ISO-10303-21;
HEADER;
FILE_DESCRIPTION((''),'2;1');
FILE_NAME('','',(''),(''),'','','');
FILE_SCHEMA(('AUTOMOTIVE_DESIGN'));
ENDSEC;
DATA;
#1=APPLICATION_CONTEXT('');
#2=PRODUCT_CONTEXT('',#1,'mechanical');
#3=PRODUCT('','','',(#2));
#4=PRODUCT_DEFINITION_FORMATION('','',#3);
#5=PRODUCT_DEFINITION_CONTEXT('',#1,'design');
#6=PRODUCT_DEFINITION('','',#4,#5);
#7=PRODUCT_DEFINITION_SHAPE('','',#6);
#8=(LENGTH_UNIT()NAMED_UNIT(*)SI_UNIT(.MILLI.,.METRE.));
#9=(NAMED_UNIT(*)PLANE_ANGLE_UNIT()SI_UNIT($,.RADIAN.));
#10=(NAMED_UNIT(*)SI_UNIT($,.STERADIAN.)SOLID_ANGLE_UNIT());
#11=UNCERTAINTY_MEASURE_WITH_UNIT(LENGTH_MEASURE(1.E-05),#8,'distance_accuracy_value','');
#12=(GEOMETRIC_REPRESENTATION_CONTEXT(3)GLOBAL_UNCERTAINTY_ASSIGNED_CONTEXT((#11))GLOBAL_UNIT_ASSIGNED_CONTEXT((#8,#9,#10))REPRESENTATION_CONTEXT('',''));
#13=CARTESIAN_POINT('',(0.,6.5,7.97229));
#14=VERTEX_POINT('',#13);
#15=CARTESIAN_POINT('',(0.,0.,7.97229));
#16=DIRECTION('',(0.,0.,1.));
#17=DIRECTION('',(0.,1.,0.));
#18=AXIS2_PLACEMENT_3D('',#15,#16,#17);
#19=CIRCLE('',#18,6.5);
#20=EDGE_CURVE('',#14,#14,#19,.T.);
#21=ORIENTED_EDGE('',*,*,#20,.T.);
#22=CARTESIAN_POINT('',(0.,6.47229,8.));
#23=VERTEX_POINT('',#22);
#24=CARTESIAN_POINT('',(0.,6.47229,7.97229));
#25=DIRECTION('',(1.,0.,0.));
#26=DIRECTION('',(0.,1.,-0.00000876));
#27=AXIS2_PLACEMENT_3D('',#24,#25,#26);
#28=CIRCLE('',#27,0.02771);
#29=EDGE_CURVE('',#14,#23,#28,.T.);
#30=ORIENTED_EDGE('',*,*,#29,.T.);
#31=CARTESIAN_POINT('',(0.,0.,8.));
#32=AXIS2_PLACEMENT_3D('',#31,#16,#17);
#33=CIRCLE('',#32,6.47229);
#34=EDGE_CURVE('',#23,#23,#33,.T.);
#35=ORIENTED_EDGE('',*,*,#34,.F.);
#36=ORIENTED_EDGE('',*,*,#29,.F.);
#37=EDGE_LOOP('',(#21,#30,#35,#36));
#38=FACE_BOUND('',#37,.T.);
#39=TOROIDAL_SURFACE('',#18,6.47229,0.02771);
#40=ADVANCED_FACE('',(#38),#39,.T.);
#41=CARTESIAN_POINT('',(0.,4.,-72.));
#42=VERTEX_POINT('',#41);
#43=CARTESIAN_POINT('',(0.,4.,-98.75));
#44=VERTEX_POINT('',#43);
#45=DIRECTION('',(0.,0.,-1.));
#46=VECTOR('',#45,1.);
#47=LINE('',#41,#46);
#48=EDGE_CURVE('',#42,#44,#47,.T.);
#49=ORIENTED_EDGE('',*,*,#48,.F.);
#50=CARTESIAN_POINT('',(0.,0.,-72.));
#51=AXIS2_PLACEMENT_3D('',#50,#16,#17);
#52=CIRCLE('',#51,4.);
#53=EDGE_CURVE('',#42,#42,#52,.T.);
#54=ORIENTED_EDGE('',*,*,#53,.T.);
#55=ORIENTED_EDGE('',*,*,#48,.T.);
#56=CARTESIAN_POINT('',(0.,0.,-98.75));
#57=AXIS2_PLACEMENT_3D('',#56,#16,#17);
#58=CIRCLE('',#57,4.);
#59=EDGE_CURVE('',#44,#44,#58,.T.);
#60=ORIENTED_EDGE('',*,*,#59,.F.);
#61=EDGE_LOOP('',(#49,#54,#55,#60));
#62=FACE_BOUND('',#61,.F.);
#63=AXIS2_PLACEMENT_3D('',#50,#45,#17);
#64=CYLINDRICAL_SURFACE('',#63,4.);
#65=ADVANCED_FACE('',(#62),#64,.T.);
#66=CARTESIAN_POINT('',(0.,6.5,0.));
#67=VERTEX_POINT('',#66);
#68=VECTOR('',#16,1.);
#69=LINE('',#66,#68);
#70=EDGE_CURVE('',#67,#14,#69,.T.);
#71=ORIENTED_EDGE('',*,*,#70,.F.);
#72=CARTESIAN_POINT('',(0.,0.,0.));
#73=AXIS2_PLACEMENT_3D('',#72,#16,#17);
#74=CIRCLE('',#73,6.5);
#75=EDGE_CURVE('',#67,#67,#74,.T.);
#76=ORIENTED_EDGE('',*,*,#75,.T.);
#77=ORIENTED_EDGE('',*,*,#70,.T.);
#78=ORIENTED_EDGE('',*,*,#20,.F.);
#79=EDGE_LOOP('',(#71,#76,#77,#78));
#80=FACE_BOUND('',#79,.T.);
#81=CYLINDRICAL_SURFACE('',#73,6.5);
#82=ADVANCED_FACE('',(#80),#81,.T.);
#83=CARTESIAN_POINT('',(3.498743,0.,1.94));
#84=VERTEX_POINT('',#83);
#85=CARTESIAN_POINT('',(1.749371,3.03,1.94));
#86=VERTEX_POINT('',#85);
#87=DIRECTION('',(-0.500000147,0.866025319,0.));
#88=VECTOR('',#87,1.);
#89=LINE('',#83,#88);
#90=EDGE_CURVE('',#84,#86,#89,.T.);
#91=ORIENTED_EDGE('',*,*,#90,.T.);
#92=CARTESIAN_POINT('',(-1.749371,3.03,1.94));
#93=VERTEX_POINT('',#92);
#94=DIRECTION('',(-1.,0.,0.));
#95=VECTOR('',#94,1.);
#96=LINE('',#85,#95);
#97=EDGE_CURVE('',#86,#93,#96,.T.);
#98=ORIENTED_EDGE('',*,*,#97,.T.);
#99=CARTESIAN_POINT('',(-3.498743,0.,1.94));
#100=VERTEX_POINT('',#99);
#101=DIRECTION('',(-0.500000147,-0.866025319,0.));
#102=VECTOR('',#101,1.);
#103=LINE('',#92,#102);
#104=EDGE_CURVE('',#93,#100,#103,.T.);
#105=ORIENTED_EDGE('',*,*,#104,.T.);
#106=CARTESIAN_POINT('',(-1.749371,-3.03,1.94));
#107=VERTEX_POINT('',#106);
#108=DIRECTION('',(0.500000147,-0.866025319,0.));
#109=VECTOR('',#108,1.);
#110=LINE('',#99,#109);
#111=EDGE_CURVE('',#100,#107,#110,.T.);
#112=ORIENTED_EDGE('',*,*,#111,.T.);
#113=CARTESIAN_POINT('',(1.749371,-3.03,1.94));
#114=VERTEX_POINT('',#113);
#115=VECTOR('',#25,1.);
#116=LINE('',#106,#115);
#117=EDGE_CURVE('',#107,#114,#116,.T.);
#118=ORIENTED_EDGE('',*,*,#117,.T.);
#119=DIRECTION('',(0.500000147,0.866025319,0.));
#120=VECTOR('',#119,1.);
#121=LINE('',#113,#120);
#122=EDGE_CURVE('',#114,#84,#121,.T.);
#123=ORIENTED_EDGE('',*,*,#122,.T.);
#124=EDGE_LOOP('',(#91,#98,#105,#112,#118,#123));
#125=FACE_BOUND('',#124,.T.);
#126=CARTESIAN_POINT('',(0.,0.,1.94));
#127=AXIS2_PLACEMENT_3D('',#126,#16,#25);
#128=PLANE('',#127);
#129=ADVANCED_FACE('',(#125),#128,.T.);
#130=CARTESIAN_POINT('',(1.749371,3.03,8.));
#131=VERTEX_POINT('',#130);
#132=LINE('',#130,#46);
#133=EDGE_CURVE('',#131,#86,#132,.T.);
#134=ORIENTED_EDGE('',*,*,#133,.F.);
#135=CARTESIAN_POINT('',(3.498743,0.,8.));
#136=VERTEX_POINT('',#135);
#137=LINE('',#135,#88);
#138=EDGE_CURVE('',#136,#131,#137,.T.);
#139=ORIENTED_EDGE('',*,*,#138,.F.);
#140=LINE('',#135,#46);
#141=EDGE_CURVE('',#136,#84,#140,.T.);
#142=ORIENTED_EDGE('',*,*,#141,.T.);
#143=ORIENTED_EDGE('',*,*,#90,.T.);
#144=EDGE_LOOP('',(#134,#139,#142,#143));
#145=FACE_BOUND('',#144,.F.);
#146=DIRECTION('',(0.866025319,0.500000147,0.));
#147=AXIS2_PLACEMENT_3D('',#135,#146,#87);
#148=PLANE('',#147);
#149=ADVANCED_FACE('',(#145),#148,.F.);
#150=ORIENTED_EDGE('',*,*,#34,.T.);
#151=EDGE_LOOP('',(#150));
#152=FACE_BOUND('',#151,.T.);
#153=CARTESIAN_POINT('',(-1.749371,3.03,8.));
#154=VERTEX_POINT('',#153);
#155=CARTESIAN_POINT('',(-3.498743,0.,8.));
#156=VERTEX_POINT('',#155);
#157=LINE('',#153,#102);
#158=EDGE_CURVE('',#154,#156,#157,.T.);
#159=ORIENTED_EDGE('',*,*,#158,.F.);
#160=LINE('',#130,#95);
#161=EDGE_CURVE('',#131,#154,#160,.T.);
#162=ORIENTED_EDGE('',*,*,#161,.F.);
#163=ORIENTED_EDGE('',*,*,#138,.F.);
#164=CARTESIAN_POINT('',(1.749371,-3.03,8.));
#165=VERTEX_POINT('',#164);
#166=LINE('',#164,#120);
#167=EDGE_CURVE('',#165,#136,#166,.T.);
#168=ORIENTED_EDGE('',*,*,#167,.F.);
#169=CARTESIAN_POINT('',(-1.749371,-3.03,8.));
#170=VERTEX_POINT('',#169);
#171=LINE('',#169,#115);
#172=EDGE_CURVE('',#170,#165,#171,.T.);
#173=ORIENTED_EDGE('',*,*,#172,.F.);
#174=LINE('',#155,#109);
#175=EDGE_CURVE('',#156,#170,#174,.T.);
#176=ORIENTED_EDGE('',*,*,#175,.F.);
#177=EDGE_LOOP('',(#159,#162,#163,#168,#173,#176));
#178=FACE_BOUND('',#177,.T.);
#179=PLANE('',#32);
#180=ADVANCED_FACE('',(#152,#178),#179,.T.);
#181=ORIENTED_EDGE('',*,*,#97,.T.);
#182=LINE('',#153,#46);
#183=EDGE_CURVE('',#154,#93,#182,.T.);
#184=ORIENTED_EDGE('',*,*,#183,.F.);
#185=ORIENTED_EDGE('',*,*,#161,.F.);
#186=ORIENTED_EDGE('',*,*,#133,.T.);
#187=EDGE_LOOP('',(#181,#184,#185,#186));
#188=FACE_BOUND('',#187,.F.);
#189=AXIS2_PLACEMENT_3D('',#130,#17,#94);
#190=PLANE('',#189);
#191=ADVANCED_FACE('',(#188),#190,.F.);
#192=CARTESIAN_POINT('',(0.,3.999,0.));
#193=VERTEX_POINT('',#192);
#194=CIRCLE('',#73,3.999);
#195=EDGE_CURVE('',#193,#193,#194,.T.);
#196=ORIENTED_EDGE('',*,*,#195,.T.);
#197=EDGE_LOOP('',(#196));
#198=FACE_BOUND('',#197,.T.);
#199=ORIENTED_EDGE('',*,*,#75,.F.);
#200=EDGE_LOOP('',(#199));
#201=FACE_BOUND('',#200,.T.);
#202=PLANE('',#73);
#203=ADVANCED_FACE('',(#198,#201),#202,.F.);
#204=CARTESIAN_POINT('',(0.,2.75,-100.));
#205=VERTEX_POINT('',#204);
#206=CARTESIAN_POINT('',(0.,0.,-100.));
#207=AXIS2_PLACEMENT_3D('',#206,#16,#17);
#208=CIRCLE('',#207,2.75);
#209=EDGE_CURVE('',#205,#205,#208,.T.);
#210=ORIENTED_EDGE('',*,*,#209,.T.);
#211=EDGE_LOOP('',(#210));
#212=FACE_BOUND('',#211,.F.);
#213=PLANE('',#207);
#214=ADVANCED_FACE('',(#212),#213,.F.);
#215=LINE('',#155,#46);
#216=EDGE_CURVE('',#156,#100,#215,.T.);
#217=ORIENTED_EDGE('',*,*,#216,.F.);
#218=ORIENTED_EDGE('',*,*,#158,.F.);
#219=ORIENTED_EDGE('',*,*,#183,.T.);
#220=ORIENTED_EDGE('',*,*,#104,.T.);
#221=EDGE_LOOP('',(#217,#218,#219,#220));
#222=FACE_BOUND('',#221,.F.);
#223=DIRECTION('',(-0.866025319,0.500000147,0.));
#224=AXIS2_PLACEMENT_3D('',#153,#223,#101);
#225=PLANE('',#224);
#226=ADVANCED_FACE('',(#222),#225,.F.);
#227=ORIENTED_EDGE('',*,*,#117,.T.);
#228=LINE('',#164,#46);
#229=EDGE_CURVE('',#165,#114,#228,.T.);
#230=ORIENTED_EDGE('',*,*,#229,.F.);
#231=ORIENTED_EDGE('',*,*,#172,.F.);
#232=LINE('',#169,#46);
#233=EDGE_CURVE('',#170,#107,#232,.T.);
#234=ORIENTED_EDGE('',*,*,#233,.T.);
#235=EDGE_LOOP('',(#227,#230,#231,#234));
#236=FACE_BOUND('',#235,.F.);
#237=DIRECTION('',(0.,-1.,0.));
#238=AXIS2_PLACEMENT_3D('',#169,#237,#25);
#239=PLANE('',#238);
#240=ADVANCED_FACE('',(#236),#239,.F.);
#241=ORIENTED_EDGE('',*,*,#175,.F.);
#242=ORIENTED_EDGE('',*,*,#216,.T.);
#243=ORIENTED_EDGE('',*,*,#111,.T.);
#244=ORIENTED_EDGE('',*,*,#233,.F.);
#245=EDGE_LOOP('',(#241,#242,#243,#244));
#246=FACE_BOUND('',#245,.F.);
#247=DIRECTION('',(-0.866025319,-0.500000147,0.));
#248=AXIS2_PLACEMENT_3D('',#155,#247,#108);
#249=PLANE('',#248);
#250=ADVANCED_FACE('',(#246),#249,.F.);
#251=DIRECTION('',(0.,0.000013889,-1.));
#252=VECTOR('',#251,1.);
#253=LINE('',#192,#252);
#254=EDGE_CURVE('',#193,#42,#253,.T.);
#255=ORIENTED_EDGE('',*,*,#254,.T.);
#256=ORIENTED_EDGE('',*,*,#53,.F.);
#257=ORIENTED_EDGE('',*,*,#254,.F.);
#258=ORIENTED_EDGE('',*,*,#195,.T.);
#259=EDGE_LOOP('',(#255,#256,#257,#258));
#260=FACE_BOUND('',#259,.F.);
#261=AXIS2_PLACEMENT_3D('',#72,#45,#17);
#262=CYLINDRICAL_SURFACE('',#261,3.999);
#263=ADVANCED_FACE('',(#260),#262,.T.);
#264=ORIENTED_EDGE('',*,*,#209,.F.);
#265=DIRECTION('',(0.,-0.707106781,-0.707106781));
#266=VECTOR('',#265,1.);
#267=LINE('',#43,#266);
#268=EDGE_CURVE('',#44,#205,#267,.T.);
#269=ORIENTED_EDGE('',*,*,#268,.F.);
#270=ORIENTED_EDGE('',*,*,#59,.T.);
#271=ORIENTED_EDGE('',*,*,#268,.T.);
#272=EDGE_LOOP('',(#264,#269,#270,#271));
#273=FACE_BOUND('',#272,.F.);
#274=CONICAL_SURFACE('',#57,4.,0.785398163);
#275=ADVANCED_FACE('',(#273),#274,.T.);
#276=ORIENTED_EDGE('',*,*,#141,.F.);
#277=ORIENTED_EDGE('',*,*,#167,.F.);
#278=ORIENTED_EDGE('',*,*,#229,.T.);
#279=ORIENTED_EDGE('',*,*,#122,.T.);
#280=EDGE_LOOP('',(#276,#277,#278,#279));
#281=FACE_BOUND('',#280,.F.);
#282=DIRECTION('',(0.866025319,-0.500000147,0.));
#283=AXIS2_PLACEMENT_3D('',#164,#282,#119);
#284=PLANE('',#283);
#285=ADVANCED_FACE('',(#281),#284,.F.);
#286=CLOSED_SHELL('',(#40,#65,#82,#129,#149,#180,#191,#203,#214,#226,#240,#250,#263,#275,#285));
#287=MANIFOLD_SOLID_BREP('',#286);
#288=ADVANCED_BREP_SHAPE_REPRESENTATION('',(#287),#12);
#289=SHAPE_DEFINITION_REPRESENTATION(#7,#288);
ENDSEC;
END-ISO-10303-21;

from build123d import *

# Parameters (mm, degrees)
POCKET_DEPTH = 6.06


with BuildPart() as part:
    # Sketch → Revolve (revolve)
    with BuildSketch(Plane.YZ):
        with BuildLine():
            Line((3.999, 0), (6.5, 0))
            Line((6.5, 0), (6.5, 7.97229))
            ThreePointArc((6.5, 7.97229), (6.491884, 7.991884), (6.47229, 8))
            Line((6.47229, 8), (0, 8))
            Line((0, -100), (0, 8))
            Line((2.75, -100), (0, -100))
            Line((4, -98.75), (2.75, -100))
            Line((4, -72), (4, -98.75))
            Line((3.999, 0), (4, -72))
        make_face()
    revolve(axis=Axis((0, 0, 0), (0, 0, 1)))

    # Sketch001 → Pocket (cut)
    with BuildSketch(Plane.XY.offset(8)):
        Polygon((3.498743, 0), (1.749371, 3.03), (-1.749371, 3.03), (-3.498743, 0), (-1.749371, -3.03), (1.749371, -3.03), align=None)
    extrude(amount=-POCKET_DEPTH, mode=Mode.SUBTRACT)


solid = part.part
